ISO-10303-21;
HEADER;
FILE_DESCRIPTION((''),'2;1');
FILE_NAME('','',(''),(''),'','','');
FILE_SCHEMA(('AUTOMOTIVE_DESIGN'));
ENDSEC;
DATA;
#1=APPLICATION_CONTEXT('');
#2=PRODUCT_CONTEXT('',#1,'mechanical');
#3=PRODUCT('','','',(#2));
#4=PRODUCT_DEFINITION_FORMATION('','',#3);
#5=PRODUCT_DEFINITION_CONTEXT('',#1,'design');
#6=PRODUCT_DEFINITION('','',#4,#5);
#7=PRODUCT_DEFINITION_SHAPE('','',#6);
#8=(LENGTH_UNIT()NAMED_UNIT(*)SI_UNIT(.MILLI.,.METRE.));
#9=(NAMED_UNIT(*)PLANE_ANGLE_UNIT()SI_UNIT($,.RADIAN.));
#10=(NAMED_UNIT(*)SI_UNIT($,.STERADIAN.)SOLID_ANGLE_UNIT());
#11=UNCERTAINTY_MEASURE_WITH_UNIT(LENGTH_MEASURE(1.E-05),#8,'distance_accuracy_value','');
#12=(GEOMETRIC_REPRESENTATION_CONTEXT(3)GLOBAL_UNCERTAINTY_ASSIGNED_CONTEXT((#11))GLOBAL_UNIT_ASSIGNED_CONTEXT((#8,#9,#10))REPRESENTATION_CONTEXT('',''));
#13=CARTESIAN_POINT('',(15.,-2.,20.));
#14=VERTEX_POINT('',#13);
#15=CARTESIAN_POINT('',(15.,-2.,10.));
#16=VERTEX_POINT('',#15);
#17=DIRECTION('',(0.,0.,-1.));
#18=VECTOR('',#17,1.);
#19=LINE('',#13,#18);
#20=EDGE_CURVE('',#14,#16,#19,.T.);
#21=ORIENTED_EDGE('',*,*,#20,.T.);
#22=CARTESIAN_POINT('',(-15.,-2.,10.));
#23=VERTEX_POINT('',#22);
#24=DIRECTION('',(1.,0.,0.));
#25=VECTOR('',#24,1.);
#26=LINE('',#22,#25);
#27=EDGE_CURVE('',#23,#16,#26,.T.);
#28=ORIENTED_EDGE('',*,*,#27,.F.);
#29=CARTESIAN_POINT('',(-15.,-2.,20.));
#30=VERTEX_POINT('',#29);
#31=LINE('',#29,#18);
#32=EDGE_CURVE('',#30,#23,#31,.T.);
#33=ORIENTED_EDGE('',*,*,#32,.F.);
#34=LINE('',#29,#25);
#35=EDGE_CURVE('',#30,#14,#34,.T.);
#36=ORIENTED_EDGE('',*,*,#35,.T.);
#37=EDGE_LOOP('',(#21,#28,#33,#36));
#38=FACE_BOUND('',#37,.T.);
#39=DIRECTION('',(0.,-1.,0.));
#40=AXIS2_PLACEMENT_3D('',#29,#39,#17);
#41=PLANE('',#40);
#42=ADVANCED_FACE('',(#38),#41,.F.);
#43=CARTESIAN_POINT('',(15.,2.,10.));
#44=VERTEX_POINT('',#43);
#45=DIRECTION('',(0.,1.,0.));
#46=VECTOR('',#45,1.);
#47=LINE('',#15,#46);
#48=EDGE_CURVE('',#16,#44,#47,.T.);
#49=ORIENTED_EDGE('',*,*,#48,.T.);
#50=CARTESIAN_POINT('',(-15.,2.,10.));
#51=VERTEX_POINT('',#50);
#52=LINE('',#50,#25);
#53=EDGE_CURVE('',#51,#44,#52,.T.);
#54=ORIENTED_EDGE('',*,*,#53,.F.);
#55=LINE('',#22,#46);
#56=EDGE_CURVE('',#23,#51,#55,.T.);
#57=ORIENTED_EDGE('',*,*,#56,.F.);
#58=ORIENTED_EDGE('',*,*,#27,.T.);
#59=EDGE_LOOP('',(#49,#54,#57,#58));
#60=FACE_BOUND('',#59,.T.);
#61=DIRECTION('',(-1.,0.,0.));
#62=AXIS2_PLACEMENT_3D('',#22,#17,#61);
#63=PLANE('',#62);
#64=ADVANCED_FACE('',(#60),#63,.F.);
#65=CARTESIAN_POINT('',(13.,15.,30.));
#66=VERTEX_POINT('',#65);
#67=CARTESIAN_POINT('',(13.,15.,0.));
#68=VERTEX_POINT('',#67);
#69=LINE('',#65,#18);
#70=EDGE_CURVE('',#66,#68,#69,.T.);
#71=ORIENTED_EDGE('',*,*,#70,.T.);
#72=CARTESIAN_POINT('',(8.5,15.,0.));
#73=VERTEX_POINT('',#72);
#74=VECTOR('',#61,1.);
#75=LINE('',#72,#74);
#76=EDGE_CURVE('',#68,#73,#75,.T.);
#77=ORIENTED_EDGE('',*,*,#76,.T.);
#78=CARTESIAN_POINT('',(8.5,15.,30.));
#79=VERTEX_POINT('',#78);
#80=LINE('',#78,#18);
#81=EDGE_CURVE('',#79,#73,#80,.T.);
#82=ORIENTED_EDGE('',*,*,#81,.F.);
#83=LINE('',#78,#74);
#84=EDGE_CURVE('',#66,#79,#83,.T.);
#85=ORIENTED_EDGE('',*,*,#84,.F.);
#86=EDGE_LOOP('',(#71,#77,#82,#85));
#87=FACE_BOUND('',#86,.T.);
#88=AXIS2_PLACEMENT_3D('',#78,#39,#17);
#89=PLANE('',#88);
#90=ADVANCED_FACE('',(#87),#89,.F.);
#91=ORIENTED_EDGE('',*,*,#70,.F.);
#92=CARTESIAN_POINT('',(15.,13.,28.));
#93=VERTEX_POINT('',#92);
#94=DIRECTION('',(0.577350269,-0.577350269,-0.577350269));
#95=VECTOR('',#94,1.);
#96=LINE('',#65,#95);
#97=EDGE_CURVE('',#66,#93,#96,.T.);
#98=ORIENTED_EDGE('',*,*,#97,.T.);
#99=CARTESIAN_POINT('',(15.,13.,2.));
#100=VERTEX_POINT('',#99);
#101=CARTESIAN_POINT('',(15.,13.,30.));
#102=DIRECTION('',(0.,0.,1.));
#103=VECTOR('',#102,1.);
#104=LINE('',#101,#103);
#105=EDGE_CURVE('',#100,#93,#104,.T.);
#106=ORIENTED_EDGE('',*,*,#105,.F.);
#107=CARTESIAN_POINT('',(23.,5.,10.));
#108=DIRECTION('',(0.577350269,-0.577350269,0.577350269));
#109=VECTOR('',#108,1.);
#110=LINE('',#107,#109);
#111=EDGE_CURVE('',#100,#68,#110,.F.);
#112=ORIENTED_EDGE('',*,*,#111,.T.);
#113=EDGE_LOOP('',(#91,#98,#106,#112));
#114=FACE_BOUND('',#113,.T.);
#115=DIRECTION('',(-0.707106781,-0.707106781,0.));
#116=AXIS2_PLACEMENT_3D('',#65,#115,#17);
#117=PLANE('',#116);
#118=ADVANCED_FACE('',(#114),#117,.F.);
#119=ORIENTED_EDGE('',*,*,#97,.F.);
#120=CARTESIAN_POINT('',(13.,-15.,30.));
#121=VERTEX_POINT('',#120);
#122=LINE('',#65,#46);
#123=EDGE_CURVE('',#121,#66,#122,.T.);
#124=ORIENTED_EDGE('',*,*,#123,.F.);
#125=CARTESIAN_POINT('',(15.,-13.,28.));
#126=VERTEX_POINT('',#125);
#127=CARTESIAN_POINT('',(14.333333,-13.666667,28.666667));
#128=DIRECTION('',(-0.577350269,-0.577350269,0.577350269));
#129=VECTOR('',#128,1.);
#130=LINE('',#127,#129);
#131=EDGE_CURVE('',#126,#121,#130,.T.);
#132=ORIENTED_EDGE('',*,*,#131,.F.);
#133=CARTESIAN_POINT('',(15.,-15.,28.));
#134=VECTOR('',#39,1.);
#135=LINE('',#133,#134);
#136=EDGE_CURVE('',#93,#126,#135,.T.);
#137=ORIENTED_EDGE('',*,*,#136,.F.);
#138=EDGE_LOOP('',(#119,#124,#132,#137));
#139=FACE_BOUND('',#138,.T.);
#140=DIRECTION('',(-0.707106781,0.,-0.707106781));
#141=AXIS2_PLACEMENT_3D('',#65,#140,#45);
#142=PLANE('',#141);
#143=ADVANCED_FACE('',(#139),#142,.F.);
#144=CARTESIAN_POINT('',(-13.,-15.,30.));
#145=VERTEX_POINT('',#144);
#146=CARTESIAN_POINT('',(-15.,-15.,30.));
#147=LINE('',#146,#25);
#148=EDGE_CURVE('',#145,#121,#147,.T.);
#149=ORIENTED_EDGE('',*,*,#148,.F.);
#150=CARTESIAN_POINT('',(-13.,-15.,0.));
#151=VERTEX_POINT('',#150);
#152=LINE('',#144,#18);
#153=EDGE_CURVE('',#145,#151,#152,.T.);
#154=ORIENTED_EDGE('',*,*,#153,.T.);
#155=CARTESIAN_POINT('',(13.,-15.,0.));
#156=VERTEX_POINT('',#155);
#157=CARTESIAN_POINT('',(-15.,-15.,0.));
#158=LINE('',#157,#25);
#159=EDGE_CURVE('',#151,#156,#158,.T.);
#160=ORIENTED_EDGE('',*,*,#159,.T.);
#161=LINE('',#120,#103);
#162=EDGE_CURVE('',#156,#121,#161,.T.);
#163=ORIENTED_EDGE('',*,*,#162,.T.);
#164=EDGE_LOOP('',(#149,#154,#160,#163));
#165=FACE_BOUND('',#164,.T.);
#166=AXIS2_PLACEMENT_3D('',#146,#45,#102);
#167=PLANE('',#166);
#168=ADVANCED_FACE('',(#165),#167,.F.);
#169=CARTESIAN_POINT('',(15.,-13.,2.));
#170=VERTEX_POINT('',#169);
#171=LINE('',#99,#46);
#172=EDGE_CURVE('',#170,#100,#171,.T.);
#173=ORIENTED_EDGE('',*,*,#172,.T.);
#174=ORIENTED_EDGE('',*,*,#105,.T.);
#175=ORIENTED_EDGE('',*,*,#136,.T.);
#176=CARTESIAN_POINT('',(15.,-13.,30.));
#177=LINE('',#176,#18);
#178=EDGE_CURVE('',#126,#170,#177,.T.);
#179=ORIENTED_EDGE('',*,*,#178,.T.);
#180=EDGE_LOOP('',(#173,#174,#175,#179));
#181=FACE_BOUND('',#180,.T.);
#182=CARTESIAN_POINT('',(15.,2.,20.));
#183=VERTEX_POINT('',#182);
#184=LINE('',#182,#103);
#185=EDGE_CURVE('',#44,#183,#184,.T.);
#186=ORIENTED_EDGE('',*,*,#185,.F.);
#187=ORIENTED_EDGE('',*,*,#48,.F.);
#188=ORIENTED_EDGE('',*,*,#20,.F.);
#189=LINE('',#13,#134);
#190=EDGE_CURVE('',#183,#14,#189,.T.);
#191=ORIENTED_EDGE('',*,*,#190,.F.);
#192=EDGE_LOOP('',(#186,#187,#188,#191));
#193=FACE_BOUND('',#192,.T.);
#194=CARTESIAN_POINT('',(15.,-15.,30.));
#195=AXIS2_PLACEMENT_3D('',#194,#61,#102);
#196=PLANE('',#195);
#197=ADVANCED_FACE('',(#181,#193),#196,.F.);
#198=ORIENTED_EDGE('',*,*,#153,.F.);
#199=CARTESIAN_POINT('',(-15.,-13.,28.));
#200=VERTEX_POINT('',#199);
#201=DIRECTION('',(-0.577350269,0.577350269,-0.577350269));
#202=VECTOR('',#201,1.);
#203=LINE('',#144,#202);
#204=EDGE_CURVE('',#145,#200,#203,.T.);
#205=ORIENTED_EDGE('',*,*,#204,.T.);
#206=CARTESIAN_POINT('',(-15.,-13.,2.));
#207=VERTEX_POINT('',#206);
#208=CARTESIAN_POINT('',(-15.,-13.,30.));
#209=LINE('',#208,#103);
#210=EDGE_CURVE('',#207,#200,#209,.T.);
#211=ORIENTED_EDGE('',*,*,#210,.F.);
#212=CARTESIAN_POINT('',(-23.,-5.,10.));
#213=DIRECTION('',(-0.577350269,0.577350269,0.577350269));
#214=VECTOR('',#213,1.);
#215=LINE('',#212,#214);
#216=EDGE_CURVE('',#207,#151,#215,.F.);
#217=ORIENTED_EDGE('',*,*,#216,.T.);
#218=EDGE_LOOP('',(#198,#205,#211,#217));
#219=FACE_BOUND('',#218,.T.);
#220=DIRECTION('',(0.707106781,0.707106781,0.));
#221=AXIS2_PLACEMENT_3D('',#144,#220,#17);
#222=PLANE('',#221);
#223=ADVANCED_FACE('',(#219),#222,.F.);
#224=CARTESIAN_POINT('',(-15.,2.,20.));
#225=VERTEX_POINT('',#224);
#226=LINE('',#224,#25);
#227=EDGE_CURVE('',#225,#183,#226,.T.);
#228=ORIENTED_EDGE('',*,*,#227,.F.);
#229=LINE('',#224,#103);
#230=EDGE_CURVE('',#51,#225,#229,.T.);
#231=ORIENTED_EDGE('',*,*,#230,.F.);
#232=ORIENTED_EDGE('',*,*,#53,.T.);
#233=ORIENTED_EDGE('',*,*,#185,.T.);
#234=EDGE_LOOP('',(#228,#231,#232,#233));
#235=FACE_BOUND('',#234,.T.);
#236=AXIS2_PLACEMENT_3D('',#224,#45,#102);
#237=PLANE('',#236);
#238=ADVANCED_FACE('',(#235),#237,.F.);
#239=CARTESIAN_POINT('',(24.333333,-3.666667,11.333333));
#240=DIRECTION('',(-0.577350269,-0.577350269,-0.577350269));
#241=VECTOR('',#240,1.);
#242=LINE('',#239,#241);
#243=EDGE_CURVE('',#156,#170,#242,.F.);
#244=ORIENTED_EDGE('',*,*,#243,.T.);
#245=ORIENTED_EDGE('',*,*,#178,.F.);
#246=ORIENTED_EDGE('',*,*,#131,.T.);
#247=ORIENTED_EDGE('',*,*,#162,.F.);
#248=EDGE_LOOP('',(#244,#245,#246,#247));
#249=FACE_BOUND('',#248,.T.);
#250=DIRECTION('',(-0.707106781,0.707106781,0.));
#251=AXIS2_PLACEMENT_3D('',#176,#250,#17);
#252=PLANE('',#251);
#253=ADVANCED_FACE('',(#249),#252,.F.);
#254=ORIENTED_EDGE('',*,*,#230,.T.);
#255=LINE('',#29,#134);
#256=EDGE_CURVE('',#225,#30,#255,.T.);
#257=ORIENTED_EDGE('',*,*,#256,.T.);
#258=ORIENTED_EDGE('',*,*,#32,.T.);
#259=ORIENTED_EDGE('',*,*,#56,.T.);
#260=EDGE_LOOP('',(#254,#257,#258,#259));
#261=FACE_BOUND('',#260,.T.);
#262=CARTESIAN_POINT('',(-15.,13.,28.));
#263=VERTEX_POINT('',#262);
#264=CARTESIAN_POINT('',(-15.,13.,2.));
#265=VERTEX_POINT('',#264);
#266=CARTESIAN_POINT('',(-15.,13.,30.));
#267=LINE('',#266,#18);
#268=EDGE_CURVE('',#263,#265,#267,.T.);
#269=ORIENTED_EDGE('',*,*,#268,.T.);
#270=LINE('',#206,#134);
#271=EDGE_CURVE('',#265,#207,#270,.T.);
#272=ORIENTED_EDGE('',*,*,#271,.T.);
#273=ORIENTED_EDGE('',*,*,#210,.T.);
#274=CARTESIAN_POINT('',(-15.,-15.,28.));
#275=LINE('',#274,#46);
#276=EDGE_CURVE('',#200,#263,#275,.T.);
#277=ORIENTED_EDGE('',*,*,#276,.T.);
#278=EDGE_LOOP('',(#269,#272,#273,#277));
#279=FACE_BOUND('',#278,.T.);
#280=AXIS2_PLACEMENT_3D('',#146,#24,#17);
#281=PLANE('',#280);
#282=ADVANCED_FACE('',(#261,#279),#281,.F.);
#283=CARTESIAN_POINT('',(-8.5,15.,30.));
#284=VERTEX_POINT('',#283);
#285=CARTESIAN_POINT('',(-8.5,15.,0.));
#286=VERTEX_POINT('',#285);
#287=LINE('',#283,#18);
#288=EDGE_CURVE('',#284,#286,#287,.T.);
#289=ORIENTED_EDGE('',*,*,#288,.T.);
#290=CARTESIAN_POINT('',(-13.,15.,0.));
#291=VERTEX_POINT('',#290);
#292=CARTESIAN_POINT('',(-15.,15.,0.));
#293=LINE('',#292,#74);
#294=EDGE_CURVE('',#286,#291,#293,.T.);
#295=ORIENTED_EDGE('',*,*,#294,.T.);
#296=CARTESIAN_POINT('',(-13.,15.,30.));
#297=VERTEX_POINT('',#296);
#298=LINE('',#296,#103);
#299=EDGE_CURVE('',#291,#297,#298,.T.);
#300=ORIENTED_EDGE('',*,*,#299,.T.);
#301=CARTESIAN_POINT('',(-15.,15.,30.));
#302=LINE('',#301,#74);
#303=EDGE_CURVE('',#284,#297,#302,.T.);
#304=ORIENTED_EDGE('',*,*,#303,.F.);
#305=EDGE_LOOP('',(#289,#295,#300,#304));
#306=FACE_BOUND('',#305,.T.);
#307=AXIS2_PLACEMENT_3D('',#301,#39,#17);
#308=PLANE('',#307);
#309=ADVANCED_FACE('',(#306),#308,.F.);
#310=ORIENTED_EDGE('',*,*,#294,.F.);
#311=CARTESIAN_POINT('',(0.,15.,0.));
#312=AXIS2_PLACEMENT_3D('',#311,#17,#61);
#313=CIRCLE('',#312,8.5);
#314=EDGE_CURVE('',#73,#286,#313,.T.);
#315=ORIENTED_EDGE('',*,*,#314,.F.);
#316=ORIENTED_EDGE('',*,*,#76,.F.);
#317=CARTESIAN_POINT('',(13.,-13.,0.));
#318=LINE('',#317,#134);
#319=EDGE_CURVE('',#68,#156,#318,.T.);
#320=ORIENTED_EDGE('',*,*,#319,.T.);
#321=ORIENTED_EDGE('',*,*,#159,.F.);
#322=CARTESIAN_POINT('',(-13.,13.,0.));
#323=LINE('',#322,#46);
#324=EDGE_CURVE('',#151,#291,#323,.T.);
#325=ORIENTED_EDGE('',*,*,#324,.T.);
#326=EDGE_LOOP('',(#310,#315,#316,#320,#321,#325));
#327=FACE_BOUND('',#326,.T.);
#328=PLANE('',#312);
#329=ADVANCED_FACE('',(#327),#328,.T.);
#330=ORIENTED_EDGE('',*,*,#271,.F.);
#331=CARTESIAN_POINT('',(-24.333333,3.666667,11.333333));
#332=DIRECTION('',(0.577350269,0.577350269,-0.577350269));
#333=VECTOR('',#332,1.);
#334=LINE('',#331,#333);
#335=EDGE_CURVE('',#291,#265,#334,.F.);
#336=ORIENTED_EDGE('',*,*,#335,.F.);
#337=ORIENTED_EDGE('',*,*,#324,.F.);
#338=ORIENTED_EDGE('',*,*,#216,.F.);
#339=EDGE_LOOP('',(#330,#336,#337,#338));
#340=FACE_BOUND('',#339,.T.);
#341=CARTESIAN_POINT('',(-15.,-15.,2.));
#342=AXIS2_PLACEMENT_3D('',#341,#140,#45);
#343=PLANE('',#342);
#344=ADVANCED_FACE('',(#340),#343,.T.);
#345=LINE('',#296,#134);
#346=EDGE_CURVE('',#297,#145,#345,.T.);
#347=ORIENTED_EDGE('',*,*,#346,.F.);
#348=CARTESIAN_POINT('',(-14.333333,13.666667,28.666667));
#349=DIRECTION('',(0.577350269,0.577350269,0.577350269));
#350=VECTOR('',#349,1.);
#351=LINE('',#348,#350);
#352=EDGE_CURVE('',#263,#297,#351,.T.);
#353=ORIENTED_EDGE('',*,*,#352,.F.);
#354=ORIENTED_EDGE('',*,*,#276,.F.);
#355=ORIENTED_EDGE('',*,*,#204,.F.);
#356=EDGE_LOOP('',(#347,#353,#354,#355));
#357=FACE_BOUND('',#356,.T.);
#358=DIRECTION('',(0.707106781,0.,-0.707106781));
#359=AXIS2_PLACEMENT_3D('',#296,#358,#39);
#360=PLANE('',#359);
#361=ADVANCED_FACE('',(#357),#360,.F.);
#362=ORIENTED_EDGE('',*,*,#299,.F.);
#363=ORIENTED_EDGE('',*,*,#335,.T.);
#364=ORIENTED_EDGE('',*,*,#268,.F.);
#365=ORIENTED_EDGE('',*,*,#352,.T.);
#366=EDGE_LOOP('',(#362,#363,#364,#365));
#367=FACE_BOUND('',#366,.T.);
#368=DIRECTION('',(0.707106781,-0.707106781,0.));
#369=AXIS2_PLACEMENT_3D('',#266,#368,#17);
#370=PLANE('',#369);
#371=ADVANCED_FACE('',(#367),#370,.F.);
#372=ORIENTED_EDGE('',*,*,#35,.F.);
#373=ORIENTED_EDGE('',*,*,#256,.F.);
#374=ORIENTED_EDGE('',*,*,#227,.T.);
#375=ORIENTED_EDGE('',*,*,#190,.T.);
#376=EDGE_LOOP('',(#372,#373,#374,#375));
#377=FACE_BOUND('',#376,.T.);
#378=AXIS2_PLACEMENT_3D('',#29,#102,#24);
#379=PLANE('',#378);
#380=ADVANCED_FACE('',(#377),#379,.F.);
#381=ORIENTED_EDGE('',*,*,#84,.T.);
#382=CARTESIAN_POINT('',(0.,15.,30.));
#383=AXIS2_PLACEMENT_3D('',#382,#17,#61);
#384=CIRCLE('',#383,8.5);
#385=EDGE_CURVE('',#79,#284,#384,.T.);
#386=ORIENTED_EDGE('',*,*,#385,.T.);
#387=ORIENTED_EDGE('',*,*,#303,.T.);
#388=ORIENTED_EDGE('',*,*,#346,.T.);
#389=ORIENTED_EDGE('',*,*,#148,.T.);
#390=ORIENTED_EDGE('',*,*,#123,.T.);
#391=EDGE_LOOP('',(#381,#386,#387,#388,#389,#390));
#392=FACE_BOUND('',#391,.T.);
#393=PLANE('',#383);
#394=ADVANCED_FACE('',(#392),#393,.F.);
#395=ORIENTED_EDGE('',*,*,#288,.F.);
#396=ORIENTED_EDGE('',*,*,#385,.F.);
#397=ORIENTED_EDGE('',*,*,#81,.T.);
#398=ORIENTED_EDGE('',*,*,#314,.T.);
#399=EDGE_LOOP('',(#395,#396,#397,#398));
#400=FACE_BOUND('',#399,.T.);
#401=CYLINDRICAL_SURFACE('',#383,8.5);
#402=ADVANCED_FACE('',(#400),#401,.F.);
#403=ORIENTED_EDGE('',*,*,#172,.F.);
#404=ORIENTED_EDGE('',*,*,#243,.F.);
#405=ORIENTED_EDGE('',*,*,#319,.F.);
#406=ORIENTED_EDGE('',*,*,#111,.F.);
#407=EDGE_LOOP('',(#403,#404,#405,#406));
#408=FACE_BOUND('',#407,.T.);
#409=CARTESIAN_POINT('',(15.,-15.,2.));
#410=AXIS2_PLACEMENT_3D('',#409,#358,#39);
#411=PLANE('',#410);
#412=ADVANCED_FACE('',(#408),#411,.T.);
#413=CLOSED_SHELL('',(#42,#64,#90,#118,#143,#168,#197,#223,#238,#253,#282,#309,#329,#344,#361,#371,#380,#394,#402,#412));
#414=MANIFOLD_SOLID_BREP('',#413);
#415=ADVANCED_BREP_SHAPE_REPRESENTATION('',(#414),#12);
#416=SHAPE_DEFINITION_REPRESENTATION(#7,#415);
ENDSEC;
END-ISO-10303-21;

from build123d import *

# Parameters (mm, degrees)
EXTRUDE_1_DEPTH     = 30
SKETCH_2_W          = 10
SKETCH_2_H          = 4
CUT_EXTRUDE_1_DEPTH = 46
CHAMFER_1_SIZE      = 2
CHAMFER_2_SIZE      = 2
CHAMFER_3_SIZE      = 2


with BuildPart() as part:
    # 草图1 → 凸台-拉伸1 (new body)
    with BuildSketch(Plane.XY):
        with BuildLine():
            Line((8.5, 15), (15, 15))
            Line((15, 15), (15, -15))
            Line((15, -15), (-15, -15))
            Line((-15, -15), (-15, 15))
            Line((-15, 15), (-8.5, 15))
            ThreePointArc((-8.5, 15), (0, 6.5), (8.5, 15))
        make_face()
    extrude(amount=EXTRUDE_1_DEPTH)

    # 草图2 → 切除-拉伸1 (cut, through all)
    with BuildSketch(Plane(origin=(15, 0, 0), x_dir=(0, 0, -1), z_dir=(1, 0, 0))):
        with Locations((-15, 0)):
            Rectangle(SKETCH_2_W, SKETCH_2_H)
    extrude(amount=-CUT_EXTRUDE_1_DEPTH, mode=Mode.SUBTRACT)

    # 倒角1
    chamfer_1_edges = [part.edges().sort_by_distance(p)[0] for p in [
        (-15, 15, 15),
        (15, 15, 15),
    ]]
    chamfer(chamfer_1_edges, length=CHAMFER_1_SIZE)

    # 倒角2
    chamfer_2_edges = [part.edges().sort_by_distance(p)[0] for p in [
        (15, -15, 15),
        (-15, -15, 15),
    ]]
    chamfer(chamfer_2_edges, length=CHAMFER_2_SIZE)

    # 倒角3
    chamfer_3_edges = [part.edges().sort_by_distance(p)[0] for p in [
        (-15, 0, 0),
        (-15, 0, 30),
        (15, 0, 30),
        (15, 0, 0),
    ]]
    chamfer(chamfer_3_edges, length=CHAMFER_3_SIZE)


solid = part.part
